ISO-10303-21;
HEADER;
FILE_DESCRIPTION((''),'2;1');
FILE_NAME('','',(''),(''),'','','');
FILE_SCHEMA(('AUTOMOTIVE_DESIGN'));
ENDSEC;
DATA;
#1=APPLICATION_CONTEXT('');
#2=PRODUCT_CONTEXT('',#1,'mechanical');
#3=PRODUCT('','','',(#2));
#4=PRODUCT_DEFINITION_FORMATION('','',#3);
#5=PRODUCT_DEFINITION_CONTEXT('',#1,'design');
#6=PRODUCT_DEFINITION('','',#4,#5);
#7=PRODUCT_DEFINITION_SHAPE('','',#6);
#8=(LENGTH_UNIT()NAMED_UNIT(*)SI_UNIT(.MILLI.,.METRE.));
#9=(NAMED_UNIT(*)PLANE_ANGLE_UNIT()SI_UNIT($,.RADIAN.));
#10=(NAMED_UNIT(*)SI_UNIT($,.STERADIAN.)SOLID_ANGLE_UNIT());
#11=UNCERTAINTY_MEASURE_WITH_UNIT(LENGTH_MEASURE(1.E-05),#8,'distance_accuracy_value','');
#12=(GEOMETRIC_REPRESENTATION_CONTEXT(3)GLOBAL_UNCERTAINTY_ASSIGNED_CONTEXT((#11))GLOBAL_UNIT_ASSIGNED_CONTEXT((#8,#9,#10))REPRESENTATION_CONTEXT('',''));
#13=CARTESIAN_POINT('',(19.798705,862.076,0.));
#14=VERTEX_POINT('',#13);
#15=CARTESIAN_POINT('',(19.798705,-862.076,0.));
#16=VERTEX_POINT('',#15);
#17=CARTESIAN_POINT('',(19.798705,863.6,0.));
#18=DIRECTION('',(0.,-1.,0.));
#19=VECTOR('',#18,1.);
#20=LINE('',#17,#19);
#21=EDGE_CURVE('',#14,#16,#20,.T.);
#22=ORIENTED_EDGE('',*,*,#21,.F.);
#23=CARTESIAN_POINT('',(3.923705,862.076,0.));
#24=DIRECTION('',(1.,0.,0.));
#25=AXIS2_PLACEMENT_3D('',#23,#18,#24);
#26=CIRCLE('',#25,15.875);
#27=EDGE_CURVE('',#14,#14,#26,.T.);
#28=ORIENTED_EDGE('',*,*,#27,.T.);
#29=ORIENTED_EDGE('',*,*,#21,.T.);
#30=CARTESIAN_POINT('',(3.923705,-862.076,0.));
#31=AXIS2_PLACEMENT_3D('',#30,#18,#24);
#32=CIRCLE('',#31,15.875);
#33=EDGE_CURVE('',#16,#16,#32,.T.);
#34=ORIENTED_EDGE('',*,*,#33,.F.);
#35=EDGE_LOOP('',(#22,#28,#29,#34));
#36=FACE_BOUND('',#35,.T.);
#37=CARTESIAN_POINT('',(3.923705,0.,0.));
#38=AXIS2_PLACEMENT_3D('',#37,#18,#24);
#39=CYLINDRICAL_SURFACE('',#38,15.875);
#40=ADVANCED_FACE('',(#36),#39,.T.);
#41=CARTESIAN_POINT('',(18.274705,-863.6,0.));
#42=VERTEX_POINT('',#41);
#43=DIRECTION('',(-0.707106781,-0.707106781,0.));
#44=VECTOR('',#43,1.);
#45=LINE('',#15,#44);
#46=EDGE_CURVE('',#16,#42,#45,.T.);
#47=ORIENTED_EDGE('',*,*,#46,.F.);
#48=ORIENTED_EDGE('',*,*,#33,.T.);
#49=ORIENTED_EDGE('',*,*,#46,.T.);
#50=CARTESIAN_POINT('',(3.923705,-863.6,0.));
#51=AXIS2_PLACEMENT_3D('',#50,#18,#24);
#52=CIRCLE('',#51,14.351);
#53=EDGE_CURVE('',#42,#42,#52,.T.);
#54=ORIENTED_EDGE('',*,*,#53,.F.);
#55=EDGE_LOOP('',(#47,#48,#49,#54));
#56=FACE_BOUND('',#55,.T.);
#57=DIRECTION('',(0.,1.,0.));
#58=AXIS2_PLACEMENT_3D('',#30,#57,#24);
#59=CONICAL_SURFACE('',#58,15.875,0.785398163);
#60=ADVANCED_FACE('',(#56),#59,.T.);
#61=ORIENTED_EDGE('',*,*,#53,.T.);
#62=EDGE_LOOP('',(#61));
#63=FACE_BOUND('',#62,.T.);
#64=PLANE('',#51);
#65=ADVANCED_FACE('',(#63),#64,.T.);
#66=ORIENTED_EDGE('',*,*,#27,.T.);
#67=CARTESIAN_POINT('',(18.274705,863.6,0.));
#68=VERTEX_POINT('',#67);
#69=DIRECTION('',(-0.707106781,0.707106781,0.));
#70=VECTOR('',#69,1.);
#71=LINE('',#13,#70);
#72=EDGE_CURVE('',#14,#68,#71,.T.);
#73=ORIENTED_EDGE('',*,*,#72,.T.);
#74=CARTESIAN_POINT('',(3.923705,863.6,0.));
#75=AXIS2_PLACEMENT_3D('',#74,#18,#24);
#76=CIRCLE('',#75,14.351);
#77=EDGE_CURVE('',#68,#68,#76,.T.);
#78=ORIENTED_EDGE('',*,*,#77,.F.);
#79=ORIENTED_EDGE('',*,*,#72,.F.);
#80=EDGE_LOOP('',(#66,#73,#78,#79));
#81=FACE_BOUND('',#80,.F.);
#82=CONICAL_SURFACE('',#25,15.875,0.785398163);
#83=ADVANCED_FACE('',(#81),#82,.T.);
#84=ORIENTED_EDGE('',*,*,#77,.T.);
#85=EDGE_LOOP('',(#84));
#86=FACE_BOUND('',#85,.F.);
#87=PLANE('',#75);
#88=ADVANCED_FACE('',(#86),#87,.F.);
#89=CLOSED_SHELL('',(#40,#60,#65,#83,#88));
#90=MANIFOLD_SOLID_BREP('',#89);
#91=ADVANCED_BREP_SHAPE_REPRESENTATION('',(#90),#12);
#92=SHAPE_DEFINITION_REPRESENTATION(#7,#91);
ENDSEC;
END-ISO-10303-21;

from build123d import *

# Parameters (mm, degrees)
F0_R     = 15.875
F1_DEPTH = 863.6
F2_SIZE  = 1.524


with BuildPart() as f1:
    # F0 (on Front) → F1 (new body, symmetric)
    with BuildSketch(Plane.XZ):
        with Locations((3.9237048477, 0)):
            Circle(F0_R)
    extrude(amount=F1_DEPTH, both=True)

    # F2
    f2_edges = [f1.edges().sort_by_distance(p)[0] for p in [
        (-11.951295, -863.6, 0),
        (-11.951295, 863.6, 0),
    ]]
    chamfer(f2_edges, length=F2_SIZE)


solid = f1.part
